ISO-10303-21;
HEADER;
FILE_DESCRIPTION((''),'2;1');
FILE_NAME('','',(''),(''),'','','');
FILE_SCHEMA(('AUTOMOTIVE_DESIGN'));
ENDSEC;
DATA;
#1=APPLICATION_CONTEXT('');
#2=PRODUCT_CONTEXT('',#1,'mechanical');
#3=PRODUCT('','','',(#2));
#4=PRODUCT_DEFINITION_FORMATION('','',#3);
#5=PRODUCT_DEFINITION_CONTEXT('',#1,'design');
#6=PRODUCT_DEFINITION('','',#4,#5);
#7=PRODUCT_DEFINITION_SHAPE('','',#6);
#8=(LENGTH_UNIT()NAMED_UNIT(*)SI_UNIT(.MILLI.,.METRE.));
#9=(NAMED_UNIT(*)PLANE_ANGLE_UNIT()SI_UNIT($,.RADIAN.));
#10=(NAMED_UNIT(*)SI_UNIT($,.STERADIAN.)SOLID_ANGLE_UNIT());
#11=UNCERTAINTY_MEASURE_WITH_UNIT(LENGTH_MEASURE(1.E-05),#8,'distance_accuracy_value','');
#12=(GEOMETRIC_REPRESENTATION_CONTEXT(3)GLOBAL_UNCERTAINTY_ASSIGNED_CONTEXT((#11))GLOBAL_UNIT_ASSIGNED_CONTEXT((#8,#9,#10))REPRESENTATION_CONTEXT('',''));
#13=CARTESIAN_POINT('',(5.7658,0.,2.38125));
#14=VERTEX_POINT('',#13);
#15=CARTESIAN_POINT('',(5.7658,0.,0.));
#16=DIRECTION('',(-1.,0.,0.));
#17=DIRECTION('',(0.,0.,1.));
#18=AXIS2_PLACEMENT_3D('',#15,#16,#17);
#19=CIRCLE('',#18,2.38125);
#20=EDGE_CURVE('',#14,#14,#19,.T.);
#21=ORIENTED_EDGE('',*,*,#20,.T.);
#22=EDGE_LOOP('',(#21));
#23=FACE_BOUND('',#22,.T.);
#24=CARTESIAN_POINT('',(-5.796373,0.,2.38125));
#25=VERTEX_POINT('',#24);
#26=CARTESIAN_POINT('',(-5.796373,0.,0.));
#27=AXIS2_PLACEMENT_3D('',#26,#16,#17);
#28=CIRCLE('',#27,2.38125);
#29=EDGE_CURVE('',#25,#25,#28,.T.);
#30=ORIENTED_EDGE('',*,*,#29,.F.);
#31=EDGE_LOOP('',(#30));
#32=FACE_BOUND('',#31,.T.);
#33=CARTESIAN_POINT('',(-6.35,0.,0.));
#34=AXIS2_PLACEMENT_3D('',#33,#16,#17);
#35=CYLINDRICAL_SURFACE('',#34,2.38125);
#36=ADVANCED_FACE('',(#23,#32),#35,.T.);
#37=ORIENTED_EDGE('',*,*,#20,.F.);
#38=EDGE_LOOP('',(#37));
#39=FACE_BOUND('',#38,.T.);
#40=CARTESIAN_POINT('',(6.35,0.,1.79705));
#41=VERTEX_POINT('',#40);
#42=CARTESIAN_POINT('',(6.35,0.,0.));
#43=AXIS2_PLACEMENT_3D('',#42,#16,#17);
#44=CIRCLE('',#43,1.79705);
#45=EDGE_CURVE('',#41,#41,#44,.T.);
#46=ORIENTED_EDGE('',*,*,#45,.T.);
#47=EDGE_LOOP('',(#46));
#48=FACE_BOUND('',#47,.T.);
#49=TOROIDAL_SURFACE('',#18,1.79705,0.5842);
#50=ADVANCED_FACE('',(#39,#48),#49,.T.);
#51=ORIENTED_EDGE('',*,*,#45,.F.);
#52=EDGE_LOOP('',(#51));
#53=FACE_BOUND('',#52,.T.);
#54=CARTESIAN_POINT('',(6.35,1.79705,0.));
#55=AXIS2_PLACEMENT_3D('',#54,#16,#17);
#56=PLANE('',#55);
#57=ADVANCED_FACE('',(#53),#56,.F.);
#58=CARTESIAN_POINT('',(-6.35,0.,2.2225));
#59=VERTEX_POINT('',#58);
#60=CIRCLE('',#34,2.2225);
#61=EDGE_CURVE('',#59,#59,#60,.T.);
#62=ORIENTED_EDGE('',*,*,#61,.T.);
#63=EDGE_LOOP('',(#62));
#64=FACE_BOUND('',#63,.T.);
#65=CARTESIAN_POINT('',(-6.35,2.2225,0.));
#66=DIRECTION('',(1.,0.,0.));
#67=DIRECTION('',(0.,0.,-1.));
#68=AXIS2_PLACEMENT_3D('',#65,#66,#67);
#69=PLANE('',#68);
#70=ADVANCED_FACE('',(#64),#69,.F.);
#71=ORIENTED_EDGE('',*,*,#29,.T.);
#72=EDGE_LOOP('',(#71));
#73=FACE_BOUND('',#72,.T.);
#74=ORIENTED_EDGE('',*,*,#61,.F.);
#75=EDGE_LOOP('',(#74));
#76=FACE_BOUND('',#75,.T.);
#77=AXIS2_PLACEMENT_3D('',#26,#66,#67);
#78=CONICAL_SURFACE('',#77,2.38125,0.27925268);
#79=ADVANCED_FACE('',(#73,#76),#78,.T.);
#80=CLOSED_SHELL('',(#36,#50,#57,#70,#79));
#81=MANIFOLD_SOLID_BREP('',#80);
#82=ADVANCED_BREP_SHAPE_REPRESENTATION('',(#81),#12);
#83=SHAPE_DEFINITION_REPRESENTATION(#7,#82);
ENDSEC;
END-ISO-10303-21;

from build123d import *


with BuildPart() as part:
    # Sketch3 → Revolve1 (revolve)
    with BuildSketch(Plane.XY, mode=Mode.PRIVATE) as revolve1_sk:
        with BuildLine():
            Line((6.35, 1.79705), (6.35, 0))
            Line((6.35, 0), (-6.35, 0))
            Line((-6.35, 0), (-6.35, 2.2225))
            Line((-6.35, 2.2225), (-5.796372957, 2.38125))
            Line((-5.796372957, 2.38125), (5.7658, 2.38125))
            ThreePointArc((5.7658, 2.38125), (6.178891782, 2.210141782), (6.35, 1.79705))
        make_face()
    revolve(revolve1_sk.sketch.rotate(Axis((-6.35, 0, 0), (1, 0, 0)), 90), axis=Axis((-6.35, 0, 0), (1, 0, 0)))


solid = part.part
